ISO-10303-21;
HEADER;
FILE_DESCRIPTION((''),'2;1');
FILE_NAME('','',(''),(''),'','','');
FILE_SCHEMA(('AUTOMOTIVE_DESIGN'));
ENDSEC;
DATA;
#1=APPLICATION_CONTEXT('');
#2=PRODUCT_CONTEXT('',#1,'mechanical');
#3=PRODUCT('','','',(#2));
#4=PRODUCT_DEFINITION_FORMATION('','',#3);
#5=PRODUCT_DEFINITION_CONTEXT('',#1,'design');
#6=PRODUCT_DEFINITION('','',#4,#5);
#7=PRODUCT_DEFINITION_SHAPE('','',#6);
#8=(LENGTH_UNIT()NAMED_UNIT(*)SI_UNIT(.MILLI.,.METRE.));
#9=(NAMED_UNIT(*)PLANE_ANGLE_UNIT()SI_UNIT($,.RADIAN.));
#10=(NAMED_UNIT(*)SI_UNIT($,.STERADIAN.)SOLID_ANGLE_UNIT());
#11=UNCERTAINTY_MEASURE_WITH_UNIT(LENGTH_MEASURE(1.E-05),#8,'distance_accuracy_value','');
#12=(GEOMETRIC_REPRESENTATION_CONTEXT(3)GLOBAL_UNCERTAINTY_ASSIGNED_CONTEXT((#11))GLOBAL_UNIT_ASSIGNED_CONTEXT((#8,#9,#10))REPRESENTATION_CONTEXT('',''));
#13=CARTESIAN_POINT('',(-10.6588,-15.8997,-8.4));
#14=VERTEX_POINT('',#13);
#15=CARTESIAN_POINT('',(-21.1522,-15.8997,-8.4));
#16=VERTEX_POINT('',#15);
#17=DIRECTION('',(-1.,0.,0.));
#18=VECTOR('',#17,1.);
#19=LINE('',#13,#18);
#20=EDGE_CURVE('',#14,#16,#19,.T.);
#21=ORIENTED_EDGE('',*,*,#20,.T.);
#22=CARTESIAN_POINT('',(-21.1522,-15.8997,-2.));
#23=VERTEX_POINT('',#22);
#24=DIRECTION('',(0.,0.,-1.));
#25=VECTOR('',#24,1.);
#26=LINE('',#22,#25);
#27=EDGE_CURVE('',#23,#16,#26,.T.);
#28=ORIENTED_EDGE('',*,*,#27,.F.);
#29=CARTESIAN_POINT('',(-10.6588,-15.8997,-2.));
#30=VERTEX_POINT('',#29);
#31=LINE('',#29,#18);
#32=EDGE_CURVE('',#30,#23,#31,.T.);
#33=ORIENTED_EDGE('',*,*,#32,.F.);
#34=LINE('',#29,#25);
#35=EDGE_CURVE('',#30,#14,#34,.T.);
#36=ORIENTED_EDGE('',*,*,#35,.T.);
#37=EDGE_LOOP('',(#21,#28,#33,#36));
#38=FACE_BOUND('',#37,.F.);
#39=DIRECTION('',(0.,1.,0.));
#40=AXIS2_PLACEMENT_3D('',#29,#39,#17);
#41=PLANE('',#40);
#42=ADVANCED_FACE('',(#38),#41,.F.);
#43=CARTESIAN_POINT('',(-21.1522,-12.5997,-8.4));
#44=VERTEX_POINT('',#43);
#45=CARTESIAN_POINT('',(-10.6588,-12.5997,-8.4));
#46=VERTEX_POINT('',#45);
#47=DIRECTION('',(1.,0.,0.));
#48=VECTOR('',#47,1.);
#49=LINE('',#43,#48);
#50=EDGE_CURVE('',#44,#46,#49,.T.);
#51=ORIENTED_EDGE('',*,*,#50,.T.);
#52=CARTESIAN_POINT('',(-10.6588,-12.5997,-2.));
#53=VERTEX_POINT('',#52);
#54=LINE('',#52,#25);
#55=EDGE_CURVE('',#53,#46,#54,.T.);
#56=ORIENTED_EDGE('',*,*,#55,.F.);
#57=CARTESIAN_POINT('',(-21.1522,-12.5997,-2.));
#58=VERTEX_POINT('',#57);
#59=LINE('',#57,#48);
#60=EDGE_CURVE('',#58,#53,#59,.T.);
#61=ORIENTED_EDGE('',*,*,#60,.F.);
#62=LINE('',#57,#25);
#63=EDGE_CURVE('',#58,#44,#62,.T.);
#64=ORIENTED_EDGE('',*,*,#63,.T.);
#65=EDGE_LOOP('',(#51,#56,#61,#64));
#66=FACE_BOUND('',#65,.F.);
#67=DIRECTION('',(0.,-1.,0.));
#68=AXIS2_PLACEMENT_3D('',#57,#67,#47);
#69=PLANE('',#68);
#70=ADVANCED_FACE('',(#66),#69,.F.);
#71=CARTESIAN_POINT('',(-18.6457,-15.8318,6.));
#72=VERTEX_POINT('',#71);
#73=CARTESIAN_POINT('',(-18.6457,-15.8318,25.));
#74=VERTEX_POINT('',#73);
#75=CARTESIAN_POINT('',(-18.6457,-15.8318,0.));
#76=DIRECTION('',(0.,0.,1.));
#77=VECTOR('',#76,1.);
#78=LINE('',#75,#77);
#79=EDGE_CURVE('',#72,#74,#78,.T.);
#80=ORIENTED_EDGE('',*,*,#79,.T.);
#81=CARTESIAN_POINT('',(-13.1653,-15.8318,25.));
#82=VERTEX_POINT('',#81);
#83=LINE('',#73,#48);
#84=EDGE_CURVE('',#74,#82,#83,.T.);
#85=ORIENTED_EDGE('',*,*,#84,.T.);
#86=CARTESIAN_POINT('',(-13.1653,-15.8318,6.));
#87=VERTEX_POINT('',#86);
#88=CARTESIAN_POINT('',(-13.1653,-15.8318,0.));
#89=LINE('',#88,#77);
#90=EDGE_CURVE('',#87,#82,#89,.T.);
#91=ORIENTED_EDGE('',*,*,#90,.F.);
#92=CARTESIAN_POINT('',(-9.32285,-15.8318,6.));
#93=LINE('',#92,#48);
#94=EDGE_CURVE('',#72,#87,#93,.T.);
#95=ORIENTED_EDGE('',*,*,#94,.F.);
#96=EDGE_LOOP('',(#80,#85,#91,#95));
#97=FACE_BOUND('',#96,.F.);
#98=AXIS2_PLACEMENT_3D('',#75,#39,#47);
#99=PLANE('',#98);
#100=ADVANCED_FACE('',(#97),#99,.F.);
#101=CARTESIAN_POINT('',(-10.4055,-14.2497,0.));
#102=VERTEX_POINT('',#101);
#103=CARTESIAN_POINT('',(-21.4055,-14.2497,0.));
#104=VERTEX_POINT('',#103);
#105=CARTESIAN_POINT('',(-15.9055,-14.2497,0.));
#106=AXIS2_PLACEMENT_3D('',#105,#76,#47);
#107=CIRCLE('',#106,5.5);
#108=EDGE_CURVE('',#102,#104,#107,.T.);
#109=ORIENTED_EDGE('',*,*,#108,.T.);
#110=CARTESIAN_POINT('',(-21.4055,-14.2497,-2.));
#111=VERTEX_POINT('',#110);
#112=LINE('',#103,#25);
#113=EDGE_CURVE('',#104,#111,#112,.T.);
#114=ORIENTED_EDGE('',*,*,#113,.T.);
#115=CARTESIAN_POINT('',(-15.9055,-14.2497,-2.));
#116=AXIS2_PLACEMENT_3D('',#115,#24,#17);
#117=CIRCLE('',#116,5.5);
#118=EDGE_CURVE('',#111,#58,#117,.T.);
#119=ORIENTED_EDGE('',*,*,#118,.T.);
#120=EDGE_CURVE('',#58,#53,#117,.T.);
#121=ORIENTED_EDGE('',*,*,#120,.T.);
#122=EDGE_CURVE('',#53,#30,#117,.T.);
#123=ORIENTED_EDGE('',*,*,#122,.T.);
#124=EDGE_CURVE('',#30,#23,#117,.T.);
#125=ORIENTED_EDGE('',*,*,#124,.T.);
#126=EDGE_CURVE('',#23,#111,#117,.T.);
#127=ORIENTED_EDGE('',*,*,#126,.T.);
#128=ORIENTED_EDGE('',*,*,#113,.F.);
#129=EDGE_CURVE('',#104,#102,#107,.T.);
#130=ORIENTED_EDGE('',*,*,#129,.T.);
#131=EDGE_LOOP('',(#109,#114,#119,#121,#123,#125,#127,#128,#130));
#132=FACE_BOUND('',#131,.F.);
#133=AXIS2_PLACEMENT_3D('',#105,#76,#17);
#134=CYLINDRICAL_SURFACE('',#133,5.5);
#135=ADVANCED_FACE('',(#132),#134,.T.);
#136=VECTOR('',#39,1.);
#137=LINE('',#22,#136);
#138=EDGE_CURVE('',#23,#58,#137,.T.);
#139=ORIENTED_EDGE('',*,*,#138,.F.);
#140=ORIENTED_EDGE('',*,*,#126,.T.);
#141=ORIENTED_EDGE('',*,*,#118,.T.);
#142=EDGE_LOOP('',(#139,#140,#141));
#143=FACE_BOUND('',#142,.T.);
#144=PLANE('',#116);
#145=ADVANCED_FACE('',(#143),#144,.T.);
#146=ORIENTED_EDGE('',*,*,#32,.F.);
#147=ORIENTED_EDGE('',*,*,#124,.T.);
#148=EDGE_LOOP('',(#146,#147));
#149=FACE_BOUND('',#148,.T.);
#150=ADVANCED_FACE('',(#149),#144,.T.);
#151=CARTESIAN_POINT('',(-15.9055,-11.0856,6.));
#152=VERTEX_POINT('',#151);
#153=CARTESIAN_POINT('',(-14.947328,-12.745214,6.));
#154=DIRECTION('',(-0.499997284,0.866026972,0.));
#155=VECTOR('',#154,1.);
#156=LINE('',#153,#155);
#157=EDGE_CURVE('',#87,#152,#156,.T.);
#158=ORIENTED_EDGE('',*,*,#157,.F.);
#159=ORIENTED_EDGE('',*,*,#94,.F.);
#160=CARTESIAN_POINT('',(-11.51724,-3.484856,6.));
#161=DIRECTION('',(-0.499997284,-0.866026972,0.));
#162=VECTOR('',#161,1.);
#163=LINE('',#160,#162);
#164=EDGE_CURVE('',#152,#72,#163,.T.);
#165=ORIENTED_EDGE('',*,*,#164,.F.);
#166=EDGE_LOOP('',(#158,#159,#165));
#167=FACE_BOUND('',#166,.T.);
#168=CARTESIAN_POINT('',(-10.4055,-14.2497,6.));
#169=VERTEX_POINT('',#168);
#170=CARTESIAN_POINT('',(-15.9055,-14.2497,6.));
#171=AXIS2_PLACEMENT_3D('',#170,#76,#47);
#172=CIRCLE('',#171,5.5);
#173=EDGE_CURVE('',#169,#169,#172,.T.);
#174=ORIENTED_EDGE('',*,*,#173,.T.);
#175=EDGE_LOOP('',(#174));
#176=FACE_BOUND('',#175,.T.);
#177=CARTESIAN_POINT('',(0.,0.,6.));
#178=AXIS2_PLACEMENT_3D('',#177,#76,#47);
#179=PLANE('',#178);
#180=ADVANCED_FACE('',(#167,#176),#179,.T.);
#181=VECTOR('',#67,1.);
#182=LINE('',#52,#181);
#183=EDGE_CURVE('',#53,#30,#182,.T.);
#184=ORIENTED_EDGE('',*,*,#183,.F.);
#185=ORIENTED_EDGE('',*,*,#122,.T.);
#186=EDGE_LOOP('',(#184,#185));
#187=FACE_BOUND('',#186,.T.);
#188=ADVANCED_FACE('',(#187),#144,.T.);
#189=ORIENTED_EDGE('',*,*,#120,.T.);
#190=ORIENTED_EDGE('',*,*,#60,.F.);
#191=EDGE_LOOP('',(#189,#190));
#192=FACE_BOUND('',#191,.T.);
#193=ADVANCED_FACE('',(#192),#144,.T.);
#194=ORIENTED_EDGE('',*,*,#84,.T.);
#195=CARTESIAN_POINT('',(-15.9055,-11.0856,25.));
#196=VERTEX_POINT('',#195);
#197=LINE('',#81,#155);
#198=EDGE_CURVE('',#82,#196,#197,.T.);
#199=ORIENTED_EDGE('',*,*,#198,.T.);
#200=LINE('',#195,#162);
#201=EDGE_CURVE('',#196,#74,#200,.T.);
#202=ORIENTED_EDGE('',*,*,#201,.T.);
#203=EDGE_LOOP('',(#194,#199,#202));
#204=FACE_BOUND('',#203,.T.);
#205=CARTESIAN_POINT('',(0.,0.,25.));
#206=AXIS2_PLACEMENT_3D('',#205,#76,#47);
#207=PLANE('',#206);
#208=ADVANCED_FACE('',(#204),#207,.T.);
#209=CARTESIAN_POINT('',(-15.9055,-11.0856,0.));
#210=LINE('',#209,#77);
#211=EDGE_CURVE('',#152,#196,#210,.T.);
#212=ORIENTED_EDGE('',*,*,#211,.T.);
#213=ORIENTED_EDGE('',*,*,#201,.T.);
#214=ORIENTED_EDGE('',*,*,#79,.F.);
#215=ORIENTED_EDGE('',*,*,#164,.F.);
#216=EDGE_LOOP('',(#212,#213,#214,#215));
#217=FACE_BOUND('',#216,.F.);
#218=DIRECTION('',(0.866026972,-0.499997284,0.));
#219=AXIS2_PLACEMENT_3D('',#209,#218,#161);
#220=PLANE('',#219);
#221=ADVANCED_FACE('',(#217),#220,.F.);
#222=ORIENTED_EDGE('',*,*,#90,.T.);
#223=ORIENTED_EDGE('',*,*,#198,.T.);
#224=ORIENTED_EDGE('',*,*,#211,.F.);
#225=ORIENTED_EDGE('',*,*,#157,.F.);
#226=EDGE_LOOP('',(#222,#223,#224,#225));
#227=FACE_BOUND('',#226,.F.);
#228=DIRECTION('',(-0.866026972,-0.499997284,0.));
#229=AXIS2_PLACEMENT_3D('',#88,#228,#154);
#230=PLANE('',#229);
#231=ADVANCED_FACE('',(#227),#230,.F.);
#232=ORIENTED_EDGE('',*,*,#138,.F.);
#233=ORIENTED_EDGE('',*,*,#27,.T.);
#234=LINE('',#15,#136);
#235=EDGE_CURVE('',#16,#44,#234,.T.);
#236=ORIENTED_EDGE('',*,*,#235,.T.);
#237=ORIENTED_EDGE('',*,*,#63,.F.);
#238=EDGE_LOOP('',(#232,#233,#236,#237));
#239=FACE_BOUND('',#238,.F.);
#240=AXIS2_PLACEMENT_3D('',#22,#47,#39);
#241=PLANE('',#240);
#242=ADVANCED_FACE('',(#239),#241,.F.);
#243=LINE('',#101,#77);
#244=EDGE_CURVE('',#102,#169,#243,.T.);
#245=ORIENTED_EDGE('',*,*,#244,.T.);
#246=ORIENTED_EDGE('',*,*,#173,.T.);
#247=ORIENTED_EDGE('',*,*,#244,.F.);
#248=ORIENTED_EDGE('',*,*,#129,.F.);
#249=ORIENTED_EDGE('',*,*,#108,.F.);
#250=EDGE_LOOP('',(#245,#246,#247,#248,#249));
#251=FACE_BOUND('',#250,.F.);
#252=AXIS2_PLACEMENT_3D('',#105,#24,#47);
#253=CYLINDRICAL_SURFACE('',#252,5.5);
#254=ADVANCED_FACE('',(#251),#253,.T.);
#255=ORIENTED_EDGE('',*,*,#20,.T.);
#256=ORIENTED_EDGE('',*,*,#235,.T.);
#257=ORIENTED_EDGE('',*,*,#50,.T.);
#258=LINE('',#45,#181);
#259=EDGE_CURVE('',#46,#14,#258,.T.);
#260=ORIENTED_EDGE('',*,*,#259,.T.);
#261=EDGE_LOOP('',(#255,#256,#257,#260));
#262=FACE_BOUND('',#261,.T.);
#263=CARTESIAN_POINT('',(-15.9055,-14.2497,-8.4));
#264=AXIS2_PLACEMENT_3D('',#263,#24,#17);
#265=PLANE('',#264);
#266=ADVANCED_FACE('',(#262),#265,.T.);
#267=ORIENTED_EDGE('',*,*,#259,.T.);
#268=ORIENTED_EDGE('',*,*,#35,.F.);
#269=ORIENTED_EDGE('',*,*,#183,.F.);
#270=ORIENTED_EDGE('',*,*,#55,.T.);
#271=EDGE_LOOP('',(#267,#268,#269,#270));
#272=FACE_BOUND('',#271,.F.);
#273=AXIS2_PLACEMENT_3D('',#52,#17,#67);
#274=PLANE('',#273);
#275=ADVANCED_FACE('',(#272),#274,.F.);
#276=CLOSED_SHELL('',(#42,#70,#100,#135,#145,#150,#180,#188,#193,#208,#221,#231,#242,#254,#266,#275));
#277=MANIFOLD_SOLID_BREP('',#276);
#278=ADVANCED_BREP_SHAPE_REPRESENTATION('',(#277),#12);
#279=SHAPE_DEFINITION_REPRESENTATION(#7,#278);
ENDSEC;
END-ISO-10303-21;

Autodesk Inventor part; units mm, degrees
ref_plane "YZ Plane" through (0, 0, 0) normal (1, 0, 0) x (0, 1, 0)
ref_plane "XZ Plane" through (0, 0, 0) normal (0, 1, 0) x (-1, 0, 0)
sketch "Sketch1" plane through (0, 0, 0) normal (0, 0, 1) x (1, 0, 0)
  line L0 (-12.037, -14.2497) -> (-13.9713, -17.6) construction
  line L1 (-13.9713, -17.6) -> (-17.8398, -17.6) construction
  line L2 (-17.8398, -17.6) -> (-19.774, -14.2497) construction
  line L3 (-19.774, -14.2497) -> (-17.8398, -10.8995) construction
  line L4 (-17.8398, -10.8995) -> (-13.9713, -10.8995) construction
  line L5 (-13.9713, -10.8995) -> (-12.037, -14.2497) construction
  circle A0 centre (-15.9055, -14.2497) radius 28.486 construction
  line L6 (-12.1525, -14.2497) -> (-14.029, -17.5)
  line L7 (-14.029, -17.5) -> (-17.782, -17.5)
  line L8 (-17.782, -17.5) -> (-19.6585, -14.2497)
  line L9 (-19.6585, -14.2497) -> (-17.782, -10.9995)
  line L10 (-17.782, -10.9995) -> (-14.029, -10.9995) construction
  line L11 (-14.029, -10.9995) -> (-12.1525, -14.2497)
  line L12 (-15.9055, -10.7856) -> (-18.9055, -15.9818) construction
  line L13 (-18.9055, -15.9818) -> (-12.9055, -15.9818) construction
  line L14 (-12.9055, -15.9818) -> (-15.9055, -10.7856) construction
  line L15 (-15.9055, -11.0856) -> (-18.6457, -15.8318)
  line L16 (-18.6457, -15.8318) -> (-13.1653, -15.8318)
  line L17 (-13.1653, -15.8318) -> (-15.9055, -11.0856)
  point P0 (0, 0)
  dimension "d0" = 0.1
  dimension "d14" = 0.15
extrude "Extrusion1" add sketch "Sketch1" along normal blind 25
sketch "Sketch2" plane through (0, 0, 0) normal (0, 0, 1) x (1, 0, 0)
  circle A0 centre (-15.9055, -14.2497) radius 6 construction
  circle A1 centre (-15.9055, -14.2497) radius 5.5
  point P0 (0, 0)
  dimension "d3" = 0.5
extrude "Extrusion2" add sketch "Sketch2" along normal blind 6
sketch "Sketch3" plane through (-15.9055, -14.2497, 0) normal (0, 0, -1) x (-1, 0, 0)
  circle A0 centre (0, 0) radius 5.5 projected
  point P0 (-15.9055, 14.2497)
ref_plane "Work Plane1" through (-52.6055, -32.2497, -2) normal (0, 0, 1) x (1, 0, 0)
extrude "Extrusion3" add sketch "Sketch3" along normal up to surface (2 mm away)
sketch "Sketch4" plane through (-15.9055, -14.2497, -2) normal (0, 0, -1) x (-1, 0, 0)
  circle A0 centre (0, 0) radius 5.5 projected
  circle A1 centre (0, 0) radius 5.5 projected
  line L0 (-5.2467, -1.65) -> (5.2467, -1.65)
  line L1 (5.2467, -1.65) -> (5.2467, 1.65)
  line L2 (5.2467, 1.65) -> (-5.2467, 1.65)
  line L3 (-5.2467, 1.65) -> (-5.2467, -1.65)
  line L4 (-5.2467, -1.65) -> (5.2467, 1.65) construction
  line L5 (5.2467, -1.65) -> (-5.2467, 1.65) construction
  point P0 (-15.9055, 14.2497)
  dimension "d8" = 3.3
extrude "Extrusion4" add sketch "Sketch4" along normal blind 6.4 contours L1 L0 L3 L2
properties part number "rotor"
